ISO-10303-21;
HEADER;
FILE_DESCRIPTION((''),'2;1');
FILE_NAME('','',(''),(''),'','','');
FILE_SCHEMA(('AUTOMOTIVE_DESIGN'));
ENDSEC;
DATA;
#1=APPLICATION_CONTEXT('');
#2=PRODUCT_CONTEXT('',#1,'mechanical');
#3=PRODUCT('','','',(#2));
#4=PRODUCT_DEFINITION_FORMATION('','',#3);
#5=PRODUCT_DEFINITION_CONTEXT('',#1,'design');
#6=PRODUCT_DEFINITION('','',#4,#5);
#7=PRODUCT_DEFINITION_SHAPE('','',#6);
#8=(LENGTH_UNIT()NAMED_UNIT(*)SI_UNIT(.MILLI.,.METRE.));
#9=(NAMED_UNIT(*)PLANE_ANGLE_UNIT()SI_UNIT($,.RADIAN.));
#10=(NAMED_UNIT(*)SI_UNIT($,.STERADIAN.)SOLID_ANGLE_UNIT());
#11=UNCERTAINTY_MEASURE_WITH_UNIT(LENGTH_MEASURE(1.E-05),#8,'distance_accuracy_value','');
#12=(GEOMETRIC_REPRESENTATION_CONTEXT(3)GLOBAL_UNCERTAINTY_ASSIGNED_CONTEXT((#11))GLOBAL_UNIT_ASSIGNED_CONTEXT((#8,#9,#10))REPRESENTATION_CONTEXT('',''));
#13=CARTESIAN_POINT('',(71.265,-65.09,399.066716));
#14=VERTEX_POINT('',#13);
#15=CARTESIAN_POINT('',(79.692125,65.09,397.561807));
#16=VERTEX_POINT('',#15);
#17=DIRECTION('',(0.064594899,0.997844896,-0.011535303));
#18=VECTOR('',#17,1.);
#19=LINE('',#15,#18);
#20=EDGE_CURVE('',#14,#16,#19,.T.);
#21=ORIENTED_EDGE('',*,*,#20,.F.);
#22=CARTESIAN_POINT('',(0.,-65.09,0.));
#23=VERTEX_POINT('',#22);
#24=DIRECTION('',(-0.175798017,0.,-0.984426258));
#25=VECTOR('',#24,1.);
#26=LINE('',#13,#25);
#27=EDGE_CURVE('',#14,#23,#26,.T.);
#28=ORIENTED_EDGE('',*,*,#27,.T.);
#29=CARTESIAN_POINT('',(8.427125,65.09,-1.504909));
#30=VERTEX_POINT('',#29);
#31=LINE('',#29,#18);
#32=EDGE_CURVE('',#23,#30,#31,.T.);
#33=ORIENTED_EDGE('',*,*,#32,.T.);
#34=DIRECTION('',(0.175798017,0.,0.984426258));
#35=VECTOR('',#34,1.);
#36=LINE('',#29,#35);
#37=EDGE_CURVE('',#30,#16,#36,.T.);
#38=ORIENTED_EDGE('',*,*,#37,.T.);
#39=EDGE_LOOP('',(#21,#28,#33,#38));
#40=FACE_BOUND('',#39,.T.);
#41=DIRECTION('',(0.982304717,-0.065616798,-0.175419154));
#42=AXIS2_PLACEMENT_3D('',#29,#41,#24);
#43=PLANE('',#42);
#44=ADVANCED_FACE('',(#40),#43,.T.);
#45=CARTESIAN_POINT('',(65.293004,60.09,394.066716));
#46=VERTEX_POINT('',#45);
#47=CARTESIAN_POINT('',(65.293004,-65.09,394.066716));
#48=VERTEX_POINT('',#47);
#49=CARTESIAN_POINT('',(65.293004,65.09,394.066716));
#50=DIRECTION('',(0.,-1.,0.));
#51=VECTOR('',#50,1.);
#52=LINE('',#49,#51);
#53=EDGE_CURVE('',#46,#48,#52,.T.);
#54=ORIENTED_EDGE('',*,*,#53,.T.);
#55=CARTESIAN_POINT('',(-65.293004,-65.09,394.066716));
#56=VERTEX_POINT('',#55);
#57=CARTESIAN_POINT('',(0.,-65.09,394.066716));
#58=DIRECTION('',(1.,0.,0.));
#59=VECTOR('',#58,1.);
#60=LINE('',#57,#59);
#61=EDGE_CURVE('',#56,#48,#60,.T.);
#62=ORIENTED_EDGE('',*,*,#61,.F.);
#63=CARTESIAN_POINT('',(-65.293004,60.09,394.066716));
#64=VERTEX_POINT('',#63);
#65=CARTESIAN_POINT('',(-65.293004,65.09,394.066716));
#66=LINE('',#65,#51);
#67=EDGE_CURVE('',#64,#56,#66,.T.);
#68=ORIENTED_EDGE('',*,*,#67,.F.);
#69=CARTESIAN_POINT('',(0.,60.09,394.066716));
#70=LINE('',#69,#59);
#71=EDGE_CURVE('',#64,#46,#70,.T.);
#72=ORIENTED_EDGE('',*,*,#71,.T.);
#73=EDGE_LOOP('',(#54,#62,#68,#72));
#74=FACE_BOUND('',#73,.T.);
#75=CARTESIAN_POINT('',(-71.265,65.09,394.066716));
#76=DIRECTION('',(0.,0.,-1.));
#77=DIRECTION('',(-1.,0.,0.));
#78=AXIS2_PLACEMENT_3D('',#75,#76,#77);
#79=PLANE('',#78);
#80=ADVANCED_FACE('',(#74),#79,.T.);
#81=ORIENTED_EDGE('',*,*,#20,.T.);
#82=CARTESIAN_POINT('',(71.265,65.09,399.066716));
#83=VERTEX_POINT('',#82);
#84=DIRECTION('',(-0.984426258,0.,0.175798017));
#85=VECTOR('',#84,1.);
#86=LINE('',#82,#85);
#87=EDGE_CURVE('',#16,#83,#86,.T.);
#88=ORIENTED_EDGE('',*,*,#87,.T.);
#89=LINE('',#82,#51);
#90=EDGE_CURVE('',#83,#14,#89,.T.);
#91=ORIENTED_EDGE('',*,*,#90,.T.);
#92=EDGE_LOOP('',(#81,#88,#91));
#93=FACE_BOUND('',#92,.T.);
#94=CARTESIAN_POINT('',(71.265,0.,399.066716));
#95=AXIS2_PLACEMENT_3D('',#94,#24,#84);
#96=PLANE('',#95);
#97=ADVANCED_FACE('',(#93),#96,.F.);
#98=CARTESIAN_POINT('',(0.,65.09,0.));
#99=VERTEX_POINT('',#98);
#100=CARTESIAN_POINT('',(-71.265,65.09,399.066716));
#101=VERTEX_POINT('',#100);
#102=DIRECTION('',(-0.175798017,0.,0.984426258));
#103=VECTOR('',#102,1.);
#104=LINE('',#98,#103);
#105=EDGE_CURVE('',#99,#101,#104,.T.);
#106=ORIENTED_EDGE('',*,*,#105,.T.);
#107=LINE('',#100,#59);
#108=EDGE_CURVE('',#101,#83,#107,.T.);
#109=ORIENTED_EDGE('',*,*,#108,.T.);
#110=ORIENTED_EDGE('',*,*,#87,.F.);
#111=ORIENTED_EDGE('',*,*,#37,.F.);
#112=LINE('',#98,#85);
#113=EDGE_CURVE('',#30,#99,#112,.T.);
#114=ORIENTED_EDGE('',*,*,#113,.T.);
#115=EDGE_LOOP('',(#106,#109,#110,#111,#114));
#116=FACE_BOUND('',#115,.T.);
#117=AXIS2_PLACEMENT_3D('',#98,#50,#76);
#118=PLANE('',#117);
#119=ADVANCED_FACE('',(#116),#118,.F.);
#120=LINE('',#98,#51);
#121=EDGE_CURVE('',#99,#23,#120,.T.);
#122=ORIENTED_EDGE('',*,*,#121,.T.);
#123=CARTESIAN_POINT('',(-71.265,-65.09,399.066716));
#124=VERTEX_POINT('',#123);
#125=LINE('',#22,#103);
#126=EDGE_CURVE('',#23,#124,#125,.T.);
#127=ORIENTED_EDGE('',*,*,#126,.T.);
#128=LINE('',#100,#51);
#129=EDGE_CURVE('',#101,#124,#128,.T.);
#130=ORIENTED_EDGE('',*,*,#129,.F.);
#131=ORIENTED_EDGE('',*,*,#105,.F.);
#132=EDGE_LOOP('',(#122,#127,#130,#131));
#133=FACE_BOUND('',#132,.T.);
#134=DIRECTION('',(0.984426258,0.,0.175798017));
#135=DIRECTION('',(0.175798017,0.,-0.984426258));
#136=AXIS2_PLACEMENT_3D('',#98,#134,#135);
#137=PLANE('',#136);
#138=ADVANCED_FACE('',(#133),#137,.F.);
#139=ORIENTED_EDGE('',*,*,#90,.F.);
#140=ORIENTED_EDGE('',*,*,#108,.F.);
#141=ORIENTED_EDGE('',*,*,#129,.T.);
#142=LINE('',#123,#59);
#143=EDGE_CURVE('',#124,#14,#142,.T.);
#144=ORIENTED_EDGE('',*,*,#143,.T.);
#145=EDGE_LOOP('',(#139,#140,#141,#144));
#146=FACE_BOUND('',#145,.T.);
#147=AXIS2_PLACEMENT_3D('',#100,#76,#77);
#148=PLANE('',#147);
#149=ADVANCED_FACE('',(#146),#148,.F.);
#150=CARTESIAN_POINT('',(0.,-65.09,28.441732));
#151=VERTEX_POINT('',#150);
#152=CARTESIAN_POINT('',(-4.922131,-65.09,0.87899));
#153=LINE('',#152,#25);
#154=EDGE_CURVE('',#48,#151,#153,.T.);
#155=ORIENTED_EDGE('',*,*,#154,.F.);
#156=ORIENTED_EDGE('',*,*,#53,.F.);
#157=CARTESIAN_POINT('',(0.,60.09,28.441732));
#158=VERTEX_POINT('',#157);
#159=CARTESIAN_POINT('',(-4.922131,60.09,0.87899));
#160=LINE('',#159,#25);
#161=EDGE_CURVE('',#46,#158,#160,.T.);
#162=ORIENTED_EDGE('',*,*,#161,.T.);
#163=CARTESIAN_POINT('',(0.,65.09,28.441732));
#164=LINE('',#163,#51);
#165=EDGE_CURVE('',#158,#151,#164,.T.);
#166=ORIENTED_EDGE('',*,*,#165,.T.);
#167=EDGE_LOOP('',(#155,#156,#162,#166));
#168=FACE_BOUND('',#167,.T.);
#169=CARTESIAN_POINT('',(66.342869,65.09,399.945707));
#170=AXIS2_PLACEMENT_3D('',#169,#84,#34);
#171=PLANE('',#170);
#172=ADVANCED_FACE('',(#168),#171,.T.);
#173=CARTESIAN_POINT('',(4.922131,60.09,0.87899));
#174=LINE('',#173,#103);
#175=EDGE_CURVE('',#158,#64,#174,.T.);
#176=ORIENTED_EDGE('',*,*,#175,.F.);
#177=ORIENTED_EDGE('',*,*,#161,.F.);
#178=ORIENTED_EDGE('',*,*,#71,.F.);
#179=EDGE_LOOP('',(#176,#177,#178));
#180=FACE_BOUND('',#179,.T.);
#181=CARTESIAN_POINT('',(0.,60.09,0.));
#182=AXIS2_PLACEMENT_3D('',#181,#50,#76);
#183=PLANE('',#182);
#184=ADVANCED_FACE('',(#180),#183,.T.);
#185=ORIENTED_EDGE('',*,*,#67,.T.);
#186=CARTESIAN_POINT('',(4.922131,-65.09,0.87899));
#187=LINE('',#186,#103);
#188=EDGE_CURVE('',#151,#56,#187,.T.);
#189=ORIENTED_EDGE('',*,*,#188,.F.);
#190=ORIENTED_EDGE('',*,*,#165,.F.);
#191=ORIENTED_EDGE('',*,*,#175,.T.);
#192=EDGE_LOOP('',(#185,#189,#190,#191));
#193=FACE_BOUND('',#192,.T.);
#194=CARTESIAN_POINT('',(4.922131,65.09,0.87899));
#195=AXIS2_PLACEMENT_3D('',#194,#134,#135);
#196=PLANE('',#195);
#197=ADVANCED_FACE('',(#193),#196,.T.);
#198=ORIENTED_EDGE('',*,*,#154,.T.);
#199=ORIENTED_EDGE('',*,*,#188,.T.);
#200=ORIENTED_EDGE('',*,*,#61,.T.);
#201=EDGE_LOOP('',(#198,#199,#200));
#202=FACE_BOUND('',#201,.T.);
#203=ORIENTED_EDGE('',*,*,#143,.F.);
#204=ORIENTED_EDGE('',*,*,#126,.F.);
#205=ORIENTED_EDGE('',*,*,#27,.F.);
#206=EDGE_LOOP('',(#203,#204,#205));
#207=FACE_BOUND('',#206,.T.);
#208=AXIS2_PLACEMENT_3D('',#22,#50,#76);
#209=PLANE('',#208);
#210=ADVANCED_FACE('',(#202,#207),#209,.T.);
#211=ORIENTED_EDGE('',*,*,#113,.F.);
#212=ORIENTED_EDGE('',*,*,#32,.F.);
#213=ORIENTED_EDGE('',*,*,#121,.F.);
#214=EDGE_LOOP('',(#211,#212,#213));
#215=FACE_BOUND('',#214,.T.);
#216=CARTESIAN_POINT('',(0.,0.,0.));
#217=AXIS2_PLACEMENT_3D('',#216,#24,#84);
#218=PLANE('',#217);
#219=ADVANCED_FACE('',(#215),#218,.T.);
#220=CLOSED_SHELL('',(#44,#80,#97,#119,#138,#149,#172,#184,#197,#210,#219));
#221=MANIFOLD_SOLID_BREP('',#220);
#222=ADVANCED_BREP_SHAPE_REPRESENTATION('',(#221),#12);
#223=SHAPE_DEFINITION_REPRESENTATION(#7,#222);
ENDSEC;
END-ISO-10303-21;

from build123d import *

# Parameters (mm, degrees)
MAIN_BLOCK_EXTRUDE_DEPTH = 65.09
SHELL1_T                 = -5
SLANT_DEPTH              = 405.38


with BuildPart() as part:
    # Sketch1 → Main block extrude (new, symmetric)
    with BuildSketch(Plane(origin=(0, 0, 0), x_dir=(1, 0, 0), z_dir=(0, 1, 0))):
        Polygon((0, 0), (-71.265, -399.066716446), (71.265, -399.066716446), align=None)
    extrude(amount=MAIN_BLOCK_EXTRUDE_DEPTH, both=True)

    # Shell1
    shell1_openings = [part.faces().sort_by_distance(p)[0] for p in [
        (0, -65.09, 266.044477631),
    ]]
    offset(amount=SHELL1_T, openings=shell1_openings, kind=Kind.INTERSECTION)

    # Sketch2 → Slant (add)
    with BuildSketch(Plane(origin=(71.265, 0, 399.066716446), x_dir=(0, -1, 0), z_dir=(0.17579801667571168, 0, 0.9844262579456555))):
        Polygon((-65.09, 0), (65.09, 0), (-65.09, 8.560443406), align=None)
    extrude(amount=-SLANT_DEPTH)


solid = part.part
